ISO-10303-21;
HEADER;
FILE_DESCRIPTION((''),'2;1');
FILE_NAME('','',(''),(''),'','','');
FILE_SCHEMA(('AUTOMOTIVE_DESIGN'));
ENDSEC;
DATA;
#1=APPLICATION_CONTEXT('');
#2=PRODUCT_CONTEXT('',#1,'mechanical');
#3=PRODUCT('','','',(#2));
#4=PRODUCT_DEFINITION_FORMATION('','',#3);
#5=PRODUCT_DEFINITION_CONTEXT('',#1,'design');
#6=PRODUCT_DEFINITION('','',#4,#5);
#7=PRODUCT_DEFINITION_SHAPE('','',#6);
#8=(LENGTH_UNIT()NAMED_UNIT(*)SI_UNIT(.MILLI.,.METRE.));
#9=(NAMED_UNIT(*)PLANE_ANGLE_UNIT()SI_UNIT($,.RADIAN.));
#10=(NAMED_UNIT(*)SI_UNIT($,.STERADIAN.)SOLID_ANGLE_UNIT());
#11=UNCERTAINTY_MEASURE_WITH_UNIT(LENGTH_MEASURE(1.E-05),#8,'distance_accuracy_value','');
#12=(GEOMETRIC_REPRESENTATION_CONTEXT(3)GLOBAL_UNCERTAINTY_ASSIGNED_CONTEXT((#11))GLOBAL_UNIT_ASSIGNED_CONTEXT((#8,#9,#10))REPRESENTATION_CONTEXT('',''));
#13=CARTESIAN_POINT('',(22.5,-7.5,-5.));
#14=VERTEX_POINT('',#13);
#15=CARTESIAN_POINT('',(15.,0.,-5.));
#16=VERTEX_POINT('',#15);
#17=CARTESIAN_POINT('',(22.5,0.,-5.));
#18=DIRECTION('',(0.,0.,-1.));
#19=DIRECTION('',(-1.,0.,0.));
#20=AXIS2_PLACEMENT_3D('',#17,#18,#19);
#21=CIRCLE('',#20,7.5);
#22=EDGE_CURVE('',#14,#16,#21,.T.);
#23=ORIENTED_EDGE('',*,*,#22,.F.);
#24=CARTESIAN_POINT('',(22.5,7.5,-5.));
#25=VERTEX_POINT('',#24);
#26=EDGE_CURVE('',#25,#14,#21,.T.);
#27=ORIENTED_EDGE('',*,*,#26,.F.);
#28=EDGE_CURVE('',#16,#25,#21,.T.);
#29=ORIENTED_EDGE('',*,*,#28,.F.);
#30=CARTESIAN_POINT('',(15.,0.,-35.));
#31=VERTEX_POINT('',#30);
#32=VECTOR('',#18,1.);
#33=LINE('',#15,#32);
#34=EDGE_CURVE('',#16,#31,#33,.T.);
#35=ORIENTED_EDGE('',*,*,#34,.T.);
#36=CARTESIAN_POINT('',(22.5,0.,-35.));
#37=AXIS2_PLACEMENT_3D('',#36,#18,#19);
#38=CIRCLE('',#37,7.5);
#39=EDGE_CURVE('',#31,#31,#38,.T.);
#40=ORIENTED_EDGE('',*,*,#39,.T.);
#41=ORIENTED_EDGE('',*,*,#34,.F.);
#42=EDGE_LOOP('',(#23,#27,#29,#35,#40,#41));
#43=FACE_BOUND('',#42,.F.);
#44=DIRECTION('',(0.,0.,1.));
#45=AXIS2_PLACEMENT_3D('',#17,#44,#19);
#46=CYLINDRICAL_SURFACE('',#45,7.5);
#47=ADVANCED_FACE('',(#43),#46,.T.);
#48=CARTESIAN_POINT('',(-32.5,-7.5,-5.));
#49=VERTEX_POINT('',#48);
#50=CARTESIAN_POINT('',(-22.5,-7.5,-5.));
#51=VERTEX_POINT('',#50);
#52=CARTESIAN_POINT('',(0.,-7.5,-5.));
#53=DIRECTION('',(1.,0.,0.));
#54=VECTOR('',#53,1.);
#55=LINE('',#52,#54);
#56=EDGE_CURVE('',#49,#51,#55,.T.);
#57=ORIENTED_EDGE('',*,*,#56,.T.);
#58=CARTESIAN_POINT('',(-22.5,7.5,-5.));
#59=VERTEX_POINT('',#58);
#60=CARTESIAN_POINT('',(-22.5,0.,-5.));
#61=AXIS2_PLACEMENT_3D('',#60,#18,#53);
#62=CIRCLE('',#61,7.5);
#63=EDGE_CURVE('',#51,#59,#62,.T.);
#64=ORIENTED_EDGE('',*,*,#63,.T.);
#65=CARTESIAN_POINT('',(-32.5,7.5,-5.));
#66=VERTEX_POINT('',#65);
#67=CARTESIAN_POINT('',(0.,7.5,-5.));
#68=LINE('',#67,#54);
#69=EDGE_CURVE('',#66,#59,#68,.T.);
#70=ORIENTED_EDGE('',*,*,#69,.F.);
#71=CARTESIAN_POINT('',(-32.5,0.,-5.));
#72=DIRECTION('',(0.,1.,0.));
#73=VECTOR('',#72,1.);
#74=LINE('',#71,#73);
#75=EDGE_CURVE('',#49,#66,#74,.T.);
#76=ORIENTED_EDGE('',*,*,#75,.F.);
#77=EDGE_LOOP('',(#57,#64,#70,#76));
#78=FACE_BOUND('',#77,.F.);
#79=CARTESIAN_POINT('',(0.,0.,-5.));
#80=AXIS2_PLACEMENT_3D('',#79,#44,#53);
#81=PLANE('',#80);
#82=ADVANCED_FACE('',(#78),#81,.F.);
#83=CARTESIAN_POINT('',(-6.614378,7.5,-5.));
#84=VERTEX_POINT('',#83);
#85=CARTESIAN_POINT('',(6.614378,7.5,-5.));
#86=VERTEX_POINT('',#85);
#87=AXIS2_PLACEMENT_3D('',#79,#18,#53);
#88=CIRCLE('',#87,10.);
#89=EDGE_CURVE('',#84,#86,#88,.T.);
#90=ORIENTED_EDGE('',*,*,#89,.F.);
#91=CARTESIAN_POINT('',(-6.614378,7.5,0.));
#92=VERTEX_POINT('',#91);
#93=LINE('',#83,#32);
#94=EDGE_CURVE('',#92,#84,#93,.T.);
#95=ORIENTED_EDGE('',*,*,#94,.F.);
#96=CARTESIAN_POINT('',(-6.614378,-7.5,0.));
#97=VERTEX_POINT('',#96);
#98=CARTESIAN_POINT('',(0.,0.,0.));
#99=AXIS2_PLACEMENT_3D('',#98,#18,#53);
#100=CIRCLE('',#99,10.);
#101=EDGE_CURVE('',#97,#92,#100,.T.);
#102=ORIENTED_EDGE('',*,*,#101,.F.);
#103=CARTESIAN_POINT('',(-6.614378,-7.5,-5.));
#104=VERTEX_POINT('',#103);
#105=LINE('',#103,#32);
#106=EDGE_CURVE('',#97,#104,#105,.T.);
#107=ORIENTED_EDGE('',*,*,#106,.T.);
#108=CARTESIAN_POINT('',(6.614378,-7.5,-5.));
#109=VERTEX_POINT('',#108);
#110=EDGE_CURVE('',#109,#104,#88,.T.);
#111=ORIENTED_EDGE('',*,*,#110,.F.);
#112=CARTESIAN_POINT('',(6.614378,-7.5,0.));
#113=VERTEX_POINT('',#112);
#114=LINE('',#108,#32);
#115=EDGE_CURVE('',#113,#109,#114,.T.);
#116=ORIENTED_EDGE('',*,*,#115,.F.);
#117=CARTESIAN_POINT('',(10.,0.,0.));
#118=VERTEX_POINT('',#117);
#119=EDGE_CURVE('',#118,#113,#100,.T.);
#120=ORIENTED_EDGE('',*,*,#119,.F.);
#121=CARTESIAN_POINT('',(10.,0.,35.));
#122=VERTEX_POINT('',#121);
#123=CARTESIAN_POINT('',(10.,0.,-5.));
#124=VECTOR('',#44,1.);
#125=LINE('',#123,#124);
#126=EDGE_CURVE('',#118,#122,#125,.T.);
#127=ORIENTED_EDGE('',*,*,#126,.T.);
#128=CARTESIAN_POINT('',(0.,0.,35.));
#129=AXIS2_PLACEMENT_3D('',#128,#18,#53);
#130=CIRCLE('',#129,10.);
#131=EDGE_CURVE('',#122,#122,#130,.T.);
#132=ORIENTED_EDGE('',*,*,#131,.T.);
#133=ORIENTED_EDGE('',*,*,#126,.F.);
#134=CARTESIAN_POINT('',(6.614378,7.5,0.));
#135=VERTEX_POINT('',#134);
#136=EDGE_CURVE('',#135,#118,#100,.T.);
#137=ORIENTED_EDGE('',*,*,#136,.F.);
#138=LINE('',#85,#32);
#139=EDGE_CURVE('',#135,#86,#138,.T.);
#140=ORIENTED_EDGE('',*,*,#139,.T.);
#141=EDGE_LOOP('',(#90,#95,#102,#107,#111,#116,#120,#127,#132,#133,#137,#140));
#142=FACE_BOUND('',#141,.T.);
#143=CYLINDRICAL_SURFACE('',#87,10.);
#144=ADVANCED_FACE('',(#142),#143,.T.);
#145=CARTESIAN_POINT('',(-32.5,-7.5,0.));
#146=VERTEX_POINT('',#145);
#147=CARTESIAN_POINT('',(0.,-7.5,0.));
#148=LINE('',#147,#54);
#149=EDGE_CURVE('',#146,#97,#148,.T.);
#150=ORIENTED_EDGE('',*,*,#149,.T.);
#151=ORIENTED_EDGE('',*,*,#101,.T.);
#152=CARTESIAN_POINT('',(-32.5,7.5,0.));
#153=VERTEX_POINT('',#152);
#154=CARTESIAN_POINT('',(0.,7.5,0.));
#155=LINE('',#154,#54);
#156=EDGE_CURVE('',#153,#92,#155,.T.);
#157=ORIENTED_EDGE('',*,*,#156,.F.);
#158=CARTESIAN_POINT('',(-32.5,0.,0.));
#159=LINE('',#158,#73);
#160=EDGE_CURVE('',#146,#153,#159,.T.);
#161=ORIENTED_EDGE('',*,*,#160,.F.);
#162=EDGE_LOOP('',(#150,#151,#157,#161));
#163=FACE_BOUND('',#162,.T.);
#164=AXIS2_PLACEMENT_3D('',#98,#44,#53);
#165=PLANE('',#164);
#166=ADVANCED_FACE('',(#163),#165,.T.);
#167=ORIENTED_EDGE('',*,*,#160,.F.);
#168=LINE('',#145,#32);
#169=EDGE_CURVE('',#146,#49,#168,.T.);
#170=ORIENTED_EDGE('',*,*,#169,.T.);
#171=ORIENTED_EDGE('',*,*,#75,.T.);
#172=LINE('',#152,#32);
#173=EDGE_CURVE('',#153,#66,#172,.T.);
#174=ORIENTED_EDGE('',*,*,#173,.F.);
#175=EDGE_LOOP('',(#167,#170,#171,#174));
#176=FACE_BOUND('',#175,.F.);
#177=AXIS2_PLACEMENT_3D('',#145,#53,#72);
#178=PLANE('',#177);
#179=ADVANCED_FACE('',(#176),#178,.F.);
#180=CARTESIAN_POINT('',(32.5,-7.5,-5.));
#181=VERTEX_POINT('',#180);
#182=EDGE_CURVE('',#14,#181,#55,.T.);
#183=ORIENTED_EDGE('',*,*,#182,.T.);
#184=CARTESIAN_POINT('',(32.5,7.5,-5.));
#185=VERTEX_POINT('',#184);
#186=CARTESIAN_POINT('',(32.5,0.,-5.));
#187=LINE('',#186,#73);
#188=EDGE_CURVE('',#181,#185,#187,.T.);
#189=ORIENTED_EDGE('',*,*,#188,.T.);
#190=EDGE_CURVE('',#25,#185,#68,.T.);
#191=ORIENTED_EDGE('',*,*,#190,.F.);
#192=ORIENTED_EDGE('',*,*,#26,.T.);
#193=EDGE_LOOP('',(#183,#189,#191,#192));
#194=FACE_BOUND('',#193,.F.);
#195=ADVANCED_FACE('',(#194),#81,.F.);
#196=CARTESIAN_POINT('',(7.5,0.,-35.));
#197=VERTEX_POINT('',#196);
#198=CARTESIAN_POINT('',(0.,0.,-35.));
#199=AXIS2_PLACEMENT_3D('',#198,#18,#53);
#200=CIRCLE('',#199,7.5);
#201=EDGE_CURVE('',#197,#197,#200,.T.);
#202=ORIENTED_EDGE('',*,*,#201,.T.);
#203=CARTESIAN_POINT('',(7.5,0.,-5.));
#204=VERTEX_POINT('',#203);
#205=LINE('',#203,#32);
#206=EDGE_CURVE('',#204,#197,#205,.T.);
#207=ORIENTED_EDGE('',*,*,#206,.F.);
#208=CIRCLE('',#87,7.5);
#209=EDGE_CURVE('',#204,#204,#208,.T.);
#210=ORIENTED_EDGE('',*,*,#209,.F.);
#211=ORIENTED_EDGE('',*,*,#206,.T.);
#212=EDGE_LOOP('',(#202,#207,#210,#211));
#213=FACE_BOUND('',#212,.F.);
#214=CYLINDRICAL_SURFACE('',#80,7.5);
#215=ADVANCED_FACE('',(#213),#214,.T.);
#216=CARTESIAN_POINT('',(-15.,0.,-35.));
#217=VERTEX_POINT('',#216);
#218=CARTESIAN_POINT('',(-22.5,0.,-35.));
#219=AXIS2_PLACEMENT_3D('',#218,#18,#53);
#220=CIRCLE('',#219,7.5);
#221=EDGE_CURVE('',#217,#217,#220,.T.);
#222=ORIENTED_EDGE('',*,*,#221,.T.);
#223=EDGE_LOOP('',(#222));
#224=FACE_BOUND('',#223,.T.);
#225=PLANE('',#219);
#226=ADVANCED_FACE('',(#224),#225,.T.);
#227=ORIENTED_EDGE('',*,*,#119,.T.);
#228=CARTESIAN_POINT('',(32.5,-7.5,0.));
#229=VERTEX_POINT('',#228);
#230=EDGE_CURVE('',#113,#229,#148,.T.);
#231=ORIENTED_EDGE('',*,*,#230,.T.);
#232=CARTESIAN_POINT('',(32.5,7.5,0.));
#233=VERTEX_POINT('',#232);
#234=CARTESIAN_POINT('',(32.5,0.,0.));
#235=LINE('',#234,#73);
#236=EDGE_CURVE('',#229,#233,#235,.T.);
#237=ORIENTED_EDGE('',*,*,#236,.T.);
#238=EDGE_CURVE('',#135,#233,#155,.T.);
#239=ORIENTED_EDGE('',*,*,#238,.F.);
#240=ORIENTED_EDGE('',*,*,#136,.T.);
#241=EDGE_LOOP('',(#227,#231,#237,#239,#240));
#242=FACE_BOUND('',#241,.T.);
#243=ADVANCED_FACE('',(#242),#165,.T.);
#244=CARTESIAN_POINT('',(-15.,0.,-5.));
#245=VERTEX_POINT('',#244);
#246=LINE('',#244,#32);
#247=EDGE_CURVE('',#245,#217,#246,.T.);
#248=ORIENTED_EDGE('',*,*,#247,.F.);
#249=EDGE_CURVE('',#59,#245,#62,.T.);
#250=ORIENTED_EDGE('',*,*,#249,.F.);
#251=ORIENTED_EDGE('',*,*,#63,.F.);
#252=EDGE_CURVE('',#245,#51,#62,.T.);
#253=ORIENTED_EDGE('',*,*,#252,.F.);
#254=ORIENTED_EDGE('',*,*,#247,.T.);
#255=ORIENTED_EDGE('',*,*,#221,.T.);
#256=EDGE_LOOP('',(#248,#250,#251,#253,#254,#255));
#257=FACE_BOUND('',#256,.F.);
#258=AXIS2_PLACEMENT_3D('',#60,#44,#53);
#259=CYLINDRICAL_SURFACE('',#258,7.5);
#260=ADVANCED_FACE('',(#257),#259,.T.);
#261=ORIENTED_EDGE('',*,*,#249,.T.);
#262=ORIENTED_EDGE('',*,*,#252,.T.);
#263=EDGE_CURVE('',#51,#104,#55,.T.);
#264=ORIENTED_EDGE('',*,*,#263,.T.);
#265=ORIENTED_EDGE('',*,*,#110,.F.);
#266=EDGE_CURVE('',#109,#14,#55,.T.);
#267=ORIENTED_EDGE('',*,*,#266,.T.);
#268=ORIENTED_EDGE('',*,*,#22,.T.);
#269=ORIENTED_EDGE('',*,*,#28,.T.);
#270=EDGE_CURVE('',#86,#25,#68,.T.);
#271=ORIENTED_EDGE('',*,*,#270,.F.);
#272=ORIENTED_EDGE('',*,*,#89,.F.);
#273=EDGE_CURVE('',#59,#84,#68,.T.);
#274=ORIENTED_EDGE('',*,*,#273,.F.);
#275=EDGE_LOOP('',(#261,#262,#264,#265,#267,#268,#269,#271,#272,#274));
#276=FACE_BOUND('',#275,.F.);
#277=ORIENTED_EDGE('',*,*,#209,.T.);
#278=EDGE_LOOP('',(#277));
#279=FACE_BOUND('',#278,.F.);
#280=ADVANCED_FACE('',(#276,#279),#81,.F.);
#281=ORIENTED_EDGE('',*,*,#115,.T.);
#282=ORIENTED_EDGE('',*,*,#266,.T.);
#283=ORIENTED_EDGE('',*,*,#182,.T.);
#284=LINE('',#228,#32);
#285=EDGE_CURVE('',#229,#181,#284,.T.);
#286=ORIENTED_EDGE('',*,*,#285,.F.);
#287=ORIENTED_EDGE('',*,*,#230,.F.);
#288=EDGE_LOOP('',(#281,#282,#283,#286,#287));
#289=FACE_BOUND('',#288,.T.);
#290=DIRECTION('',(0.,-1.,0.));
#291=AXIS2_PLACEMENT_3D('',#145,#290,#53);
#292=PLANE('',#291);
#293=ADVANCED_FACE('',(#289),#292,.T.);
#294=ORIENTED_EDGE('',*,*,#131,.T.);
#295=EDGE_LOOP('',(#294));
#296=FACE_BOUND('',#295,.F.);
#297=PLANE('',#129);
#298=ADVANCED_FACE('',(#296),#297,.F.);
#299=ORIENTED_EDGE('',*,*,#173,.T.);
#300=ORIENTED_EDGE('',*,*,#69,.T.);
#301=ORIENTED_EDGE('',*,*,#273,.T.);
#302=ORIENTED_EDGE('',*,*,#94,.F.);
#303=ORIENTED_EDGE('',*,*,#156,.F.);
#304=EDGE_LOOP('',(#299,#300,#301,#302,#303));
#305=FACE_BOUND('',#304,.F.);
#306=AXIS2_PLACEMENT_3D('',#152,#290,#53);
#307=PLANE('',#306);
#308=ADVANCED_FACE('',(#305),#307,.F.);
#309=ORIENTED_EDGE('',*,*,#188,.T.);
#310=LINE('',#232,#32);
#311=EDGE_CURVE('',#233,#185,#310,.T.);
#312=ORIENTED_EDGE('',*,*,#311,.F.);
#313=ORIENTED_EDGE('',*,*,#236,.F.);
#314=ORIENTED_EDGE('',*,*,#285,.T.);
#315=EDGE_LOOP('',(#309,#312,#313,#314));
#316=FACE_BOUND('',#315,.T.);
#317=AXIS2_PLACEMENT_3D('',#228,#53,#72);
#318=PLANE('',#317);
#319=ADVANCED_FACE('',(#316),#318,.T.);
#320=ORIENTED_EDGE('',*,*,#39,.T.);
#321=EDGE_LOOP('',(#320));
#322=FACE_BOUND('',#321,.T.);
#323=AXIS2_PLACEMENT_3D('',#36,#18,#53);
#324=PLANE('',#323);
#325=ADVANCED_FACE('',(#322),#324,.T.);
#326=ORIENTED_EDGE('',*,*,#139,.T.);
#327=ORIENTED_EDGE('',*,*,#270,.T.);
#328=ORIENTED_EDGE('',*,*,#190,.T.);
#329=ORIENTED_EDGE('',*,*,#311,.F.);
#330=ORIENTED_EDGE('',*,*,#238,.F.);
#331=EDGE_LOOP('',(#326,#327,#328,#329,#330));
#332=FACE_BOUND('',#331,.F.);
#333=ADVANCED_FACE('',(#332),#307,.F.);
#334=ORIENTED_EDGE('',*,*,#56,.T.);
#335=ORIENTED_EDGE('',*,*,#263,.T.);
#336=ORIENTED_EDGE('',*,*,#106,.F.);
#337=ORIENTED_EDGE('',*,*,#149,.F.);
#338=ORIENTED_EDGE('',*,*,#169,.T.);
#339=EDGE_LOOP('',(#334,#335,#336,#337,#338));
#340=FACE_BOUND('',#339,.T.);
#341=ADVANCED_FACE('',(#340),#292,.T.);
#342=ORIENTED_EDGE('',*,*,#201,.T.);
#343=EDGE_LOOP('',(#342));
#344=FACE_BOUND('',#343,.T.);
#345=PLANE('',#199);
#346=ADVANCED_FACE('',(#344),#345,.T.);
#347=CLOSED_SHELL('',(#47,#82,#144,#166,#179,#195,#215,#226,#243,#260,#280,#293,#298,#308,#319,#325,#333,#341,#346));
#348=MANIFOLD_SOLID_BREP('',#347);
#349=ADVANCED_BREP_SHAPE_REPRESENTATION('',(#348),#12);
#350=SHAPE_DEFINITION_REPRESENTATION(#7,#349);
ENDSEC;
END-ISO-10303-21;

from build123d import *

# Parameters (mm, degrees)
F0_W     = 65
F0_H     = 15
F1_DEPTH = 5
F2_R     = 10
F3_DEPTH = 40
F4_R     = 7.5
F5_DEPTH = 30


with BuildPart() as f1:
    # F0 (on Top) → F1 (new body)
    with BuildSketch(Plane.XY):
        Rectangle(F0_W, F0_H)
    extrude(amount=-F1_DEPTH)

    # F2 (on face) → F3 (join)
    with BuildSketch(Plane(origin=(0, 0, -5), x_dir=(1, 0, 0), z_dir=(0, 0, -1))):
        Circle(F2_R)
    extrude(amount=-F3_DEPTH)

    # F4 (on face) → F5 (join)
    with BuildSketch(Plane(origin=(0, 0, -5), x_dir=(1, 0, 0), z_dir=(0, 0, -1))):
        with BuildLine():
            ThreePointArc((-7.5, 0), (0, -7.5), (7.5, 0))
            ThreePointArc((7.5, 0), (0, 7.5), (-7.5, 0))
        make_face()
        with Locations((-22.5, 0)):
            Circle(F4_R)
        with BuildLine():
            ThreePointArc((30, 0), (22.5, 7.5), (15, 0))
            ThreePointArc((15, 0), (22.5, -7.5), (30, 0))
        make_face()
    extrude(amount=F5_DEPTH)


solid = f1.part
